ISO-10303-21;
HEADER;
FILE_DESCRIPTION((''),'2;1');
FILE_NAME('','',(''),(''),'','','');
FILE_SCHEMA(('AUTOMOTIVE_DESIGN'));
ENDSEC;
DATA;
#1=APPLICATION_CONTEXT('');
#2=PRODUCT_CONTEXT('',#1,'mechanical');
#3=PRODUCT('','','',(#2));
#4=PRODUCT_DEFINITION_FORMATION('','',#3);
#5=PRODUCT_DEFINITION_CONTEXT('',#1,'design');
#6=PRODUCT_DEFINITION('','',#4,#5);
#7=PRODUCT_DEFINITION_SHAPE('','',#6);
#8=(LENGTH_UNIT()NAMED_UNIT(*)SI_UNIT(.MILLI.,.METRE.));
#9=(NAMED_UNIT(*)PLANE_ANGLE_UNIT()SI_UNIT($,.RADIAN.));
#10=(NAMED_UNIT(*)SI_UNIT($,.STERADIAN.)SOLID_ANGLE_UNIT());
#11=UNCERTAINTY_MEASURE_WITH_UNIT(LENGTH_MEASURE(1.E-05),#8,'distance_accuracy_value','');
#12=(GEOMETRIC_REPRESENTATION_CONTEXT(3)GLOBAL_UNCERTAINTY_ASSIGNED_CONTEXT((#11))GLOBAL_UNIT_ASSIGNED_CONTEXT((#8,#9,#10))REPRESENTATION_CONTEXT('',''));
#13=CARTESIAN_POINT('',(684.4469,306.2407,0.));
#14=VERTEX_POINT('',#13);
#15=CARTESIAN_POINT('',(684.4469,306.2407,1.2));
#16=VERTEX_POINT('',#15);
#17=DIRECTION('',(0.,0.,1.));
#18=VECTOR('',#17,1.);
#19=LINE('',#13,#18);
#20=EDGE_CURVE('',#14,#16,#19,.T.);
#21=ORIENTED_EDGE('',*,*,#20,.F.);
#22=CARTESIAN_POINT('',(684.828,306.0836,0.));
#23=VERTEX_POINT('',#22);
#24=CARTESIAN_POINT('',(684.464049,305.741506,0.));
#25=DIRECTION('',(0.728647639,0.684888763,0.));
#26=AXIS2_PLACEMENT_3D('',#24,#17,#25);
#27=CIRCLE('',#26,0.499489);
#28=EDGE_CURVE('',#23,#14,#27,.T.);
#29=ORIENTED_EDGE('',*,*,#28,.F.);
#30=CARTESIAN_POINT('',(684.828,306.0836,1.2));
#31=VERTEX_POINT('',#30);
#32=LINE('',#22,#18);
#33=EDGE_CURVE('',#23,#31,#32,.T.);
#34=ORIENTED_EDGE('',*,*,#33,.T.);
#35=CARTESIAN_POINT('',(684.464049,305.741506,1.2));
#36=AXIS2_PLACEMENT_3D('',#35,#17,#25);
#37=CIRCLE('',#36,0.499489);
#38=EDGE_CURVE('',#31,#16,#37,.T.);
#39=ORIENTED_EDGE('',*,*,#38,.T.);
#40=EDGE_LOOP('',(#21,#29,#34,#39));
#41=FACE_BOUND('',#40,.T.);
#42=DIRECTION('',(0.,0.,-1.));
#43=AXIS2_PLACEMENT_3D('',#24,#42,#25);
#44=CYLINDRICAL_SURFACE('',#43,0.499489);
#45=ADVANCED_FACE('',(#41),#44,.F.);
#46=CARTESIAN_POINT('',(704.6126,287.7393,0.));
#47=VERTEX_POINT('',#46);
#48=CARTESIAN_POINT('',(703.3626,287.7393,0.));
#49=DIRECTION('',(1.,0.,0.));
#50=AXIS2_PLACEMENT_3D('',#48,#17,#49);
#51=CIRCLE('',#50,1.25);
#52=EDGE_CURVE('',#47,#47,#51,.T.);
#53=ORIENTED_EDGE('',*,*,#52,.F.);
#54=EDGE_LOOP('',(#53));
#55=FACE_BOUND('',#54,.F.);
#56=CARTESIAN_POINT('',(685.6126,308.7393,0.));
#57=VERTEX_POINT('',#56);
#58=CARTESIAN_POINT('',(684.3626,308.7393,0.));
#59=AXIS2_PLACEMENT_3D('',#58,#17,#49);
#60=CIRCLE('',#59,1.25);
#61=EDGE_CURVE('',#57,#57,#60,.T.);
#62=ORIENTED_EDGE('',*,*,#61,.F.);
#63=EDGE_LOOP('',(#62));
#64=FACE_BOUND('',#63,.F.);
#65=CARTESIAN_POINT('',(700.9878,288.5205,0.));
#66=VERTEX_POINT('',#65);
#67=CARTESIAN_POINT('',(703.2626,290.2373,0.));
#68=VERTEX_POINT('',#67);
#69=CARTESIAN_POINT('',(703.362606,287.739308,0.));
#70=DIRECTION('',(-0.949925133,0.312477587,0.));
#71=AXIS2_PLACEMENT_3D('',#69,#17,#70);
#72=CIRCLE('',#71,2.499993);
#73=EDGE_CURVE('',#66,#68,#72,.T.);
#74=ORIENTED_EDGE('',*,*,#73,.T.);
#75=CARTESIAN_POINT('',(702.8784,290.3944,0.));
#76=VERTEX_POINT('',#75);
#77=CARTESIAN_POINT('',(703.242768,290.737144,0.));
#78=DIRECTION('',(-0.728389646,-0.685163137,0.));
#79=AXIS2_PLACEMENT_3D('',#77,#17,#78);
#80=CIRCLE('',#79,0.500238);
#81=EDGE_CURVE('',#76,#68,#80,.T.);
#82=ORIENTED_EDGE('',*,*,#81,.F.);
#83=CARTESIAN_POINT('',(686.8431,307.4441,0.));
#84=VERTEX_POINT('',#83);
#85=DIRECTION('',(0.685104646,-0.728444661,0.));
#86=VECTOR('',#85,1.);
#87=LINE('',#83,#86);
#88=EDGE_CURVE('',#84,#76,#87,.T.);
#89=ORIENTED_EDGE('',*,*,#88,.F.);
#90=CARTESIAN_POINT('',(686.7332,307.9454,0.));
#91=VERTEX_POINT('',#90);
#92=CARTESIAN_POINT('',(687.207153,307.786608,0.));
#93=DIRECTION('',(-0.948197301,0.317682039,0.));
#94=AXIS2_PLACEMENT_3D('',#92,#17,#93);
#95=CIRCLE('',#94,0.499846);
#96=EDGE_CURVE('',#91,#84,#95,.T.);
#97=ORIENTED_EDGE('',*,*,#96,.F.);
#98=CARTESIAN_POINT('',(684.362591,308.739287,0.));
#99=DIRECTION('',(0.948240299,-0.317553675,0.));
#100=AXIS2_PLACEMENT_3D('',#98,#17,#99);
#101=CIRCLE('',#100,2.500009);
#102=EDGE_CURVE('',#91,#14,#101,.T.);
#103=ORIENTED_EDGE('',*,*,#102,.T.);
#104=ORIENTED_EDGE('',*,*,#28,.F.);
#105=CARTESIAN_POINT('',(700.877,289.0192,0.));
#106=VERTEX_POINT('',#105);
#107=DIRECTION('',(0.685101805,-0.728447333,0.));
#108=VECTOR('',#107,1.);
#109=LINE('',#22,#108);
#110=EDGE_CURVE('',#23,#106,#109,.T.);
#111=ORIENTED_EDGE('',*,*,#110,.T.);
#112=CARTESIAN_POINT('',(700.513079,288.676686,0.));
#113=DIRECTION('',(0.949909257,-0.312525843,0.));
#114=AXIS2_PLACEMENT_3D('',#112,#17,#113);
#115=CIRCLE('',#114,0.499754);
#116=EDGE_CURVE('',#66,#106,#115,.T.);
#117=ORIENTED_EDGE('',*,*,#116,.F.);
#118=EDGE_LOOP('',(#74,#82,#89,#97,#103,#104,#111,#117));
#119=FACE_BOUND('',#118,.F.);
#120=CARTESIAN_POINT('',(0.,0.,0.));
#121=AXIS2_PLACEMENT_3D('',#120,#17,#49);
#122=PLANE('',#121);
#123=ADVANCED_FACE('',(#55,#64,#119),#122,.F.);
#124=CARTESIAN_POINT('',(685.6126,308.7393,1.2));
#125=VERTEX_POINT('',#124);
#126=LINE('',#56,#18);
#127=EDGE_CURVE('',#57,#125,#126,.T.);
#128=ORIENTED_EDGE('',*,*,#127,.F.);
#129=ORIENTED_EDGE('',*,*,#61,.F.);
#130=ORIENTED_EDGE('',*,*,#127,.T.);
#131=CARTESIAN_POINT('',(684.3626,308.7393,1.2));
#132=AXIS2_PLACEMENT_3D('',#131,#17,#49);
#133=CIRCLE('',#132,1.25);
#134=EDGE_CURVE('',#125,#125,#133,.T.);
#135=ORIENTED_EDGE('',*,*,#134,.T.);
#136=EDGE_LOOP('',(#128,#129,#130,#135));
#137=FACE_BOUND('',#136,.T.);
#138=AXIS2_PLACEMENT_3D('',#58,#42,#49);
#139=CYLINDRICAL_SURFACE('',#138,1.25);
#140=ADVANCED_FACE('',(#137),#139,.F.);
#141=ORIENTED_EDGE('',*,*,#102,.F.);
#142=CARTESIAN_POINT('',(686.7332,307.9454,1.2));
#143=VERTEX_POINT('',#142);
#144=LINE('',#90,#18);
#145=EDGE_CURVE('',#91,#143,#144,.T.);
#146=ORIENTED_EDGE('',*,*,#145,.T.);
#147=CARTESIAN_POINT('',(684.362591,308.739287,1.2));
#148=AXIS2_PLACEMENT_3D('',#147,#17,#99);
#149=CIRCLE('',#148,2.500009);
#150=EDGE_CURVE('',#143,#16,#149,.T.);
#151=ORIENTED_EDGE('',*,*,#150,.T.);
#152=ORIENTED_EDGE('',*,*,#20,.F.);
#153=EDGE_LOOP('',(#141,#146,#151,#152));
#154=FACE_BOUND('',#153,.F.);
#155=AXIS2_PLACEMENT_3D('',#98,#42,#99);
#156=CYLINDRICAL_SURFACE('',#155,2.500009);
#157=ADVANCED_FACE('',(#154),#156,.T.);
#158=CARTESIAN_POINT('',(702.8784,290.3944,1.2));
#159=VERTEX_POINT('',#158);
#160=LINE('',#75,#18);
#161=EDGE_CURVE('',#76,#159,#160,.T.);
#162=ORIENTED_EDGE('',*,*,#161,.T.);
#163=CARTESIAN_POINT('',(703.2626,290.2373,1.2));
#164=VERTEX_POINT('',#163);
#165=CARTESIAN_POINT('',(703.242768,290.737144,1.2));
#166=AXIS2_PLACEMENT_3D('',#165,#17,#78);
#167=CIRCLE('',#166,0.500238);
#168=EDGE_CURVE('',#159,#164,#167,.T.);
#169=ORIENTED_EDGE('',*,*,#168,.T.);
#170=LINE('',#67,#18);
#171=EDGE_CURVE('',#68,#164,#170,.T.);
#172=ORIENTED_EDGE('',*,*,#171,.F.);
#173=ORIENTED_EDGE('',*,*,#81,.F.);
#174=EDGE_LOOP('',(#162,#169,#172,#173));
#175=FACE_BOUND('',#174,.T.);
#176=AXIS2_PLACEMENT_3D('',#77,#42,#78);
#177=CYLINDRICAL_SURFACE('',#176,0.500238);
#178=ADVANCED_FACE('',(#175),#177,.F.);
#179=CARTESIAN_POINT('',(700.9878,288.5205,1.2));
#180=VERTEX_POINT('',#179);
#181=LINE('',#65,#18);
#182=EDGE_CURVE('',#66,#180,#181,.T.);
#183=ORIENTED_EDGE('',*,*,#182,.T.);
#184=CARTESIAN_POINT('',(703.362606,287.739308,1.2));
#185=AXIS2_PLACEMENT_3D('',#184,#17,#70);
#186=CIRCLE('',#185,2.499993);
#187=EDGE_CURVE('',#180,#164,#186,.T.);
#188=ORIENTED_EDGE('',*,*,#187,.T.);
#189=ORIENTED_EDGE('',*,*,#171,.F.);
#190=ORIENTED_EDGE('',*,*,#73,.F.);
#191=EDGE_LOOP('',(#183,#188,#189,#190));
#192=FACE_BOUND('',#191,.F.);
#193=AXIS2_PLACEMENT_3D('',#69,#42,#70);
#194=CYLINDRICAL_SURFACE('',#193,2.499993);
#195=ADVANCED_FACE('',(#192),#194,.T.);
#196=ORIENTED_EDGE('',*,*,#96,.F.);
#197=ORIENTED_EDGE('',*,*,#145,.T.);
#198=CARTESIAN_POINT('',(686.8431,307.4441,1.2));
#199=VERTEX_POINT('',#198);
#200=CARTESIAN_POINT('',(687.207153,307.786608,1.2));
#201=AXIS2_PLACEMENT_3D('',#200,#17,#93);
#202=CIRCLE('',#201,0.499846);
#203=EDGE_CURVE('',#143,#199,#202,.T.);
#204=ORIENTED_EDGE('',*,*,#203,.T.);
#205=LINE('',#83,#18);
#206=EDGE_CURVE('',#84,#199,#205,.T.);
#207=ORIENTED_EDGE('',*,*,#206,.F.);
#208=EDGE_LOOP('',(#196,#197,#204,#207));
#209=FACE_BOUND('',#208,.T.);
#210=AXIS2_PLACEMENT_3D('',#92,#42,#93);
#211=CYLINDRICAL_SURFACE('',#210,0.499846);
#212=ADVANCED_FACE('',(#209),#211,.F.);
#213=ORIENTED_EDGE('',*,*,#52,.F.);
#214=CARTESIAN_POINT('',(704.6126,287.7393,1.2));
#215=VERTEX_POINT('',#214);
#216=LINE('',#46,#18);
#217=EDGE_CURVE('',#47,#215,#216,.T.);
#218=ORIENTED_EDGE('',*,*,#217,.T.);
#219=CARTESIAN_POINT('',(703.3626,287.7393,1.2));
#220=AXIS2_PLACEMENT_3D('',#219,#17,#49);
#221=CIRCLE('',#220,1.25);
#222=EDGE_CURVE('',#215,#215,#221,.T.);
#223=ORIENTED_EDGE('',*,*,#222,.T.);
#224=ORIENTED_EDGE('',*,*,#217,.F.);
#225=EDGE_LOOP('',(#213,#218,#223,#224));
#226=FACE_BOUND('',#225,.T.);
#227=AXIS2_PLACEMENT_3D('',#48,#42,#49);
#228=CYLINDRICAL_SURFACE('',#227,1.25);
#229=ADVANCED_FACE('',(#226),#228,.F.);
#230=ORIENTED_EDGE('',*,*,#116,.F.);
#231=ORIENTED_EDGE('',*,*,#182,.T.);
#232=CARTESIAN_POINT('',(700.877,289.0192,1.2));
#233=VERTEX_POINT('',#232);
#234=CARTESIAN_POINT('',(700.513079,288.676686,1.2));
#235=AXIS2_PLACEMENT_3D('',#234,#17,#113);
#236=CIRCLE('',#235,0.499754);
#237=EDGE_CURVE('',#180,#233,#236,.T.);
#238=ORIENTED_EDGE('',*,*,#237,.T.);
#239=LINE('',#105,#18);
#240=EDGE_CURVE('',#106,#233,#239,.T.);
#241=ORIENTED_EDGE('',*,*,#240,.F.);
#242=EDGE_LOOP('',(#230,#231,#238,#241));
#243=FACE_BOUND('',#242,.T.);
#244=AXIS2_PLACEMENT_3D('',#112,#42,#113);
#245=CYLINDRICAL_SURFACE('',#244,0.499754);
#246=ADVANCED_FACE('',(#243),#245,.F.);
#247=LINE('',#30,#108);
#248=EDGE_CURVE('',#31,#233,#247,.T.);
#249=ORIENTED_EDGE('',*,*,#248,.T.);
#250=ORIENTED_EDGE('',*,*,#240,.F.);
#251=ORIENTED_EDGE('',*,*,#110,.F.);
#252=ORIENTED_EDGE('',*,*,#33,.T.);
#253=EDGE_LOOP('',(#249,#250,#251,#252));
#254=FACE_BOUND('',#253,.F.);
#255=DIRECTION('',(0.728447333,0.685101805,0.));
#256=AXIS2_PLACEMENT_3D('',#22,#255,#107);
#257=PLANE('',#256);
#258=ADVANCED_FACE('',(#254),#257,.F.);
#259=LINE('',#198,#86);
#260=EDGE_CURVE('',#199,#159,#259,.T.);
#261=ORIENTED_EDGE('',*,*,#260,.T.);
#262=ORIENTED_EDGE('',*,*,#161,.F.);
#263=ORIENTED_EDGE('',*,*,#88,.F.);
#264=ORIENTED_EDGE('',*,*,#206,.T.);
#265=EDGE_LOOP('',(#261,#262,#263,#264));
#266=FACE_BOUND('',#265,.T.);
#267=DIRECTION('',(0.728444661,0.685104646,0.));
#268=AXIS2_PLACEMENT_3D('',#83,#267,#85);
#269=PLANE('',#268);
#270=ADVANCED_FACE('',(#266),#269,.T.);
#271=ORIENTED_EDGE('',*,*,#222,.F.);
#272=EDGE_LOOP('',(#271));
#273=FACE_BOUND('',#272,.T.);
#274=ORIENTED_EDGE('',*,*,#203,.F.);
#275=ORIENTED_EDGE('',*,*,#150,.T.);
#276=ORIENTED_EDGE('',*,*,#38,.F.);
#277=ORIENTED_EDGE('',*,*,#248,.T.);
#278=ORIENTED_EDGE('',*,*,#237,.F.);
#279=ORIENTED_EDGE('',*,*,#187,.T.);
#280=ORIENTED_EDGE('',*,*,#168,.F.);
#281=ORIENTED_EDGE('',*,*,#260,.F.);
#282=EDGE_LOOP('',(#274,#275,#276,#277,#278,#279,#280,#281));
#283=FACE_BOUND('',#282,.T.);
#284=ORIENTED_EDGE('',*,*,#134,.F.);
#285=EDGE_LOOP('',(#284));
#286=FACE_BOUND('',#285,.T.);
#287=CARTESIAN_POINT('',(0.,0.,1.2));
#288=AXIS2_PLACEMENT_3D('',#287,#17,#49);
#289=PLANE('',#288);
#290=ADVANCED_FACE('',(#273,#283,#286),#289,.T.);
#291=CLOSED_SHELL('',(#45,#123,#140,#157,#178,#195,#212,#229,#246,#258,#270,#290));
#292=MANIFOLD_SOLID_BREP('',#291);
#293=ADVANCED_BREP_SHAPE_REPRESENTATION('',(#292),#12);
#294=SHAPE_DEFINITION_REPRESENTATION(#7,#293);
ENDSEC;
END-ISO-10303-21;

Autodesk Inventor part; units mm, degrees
ref_plane "YZ Plane" through (0, 0, 0) normal (1, 0, 0) x (0, 1, 0)
ref_plane "XZ Plane" through (0, 0, 0) normal (0, 1, 0) x (-1, 0, 0)
ref_plane "XY Plane" through (0, 0, 0) normal (0, 0, 1) x (1, 0, 0)
sketch "Boceto1" plane through (0, 0, 0) normal (0, 0, 1) x (1, 0, 0)
  circle A0 centre (684.3626, 308.7393) radius 1.25
  arc A1 (686.7332, 307.9454) -> (684.4469, 306.2407) centre (684.3626, 308.7393) ccw
  circle A2 centre (703.3626, 287.7393) radius 1.25
  arc A3 (700.9878, 288.5205) -> (703.2626, 290.2373) centre (703.3626, 287.7393) ccw
  line L0 (684.3626, 308.7393) -> (703.3626, 287.7393) construction
  line L1 (689.4053, 303.1658) -> (691.9544, 305.4721) construction
  line L2 (686.8431, 307.4441) -> (702.8784, 290.3944)
  line L3 (684.828, 306.0836) -> (700.877, 289.0192)
  arc A4 (702.8784, 290.3944) -> (703.2626, 290.2373) centre (703.2426, 290.7369) ccw
  arc A5 (700.9878, 288.5205) -> (700.877, 289.0192) centre (700.5128, 288.6767) ccw
  arc A6 (686.7332, 307.9454) -> (686.8431, 307.4441) centre (687.2073, 307.7866) ccw
  arc A7 (684.828, 306.0836) -> (684.4469, 306.2407) centre (684.4637, 305.741) ccw
  point P0 (0, 0)
  point P1 (685.216, 309.1769)
  point P2 (703.1674, 288.8662)
  point P3 (683.8421, 307.9339)
  point P4 (702.2609, 288.0459)
  point P5 (686.6251, 307.6758)
  point P6 (684.6643, 306.2576)
  point P7 (701.0936, 288.7889)
  point P8 (703.0435, 290.2189)
  dimension "d7" = 2.5
  dimension "d8" = 5
  dimension "d10" = 5
  dimension "d11" = 19
  dimension "d12" = 21
  dimension "d14" = 2.4
  dimension "d15" = 0.5
extrude "Extrusión1" add sketch "Boceto1" along normal blind 1.2
properties part number "Pieza8_3DPrint"
